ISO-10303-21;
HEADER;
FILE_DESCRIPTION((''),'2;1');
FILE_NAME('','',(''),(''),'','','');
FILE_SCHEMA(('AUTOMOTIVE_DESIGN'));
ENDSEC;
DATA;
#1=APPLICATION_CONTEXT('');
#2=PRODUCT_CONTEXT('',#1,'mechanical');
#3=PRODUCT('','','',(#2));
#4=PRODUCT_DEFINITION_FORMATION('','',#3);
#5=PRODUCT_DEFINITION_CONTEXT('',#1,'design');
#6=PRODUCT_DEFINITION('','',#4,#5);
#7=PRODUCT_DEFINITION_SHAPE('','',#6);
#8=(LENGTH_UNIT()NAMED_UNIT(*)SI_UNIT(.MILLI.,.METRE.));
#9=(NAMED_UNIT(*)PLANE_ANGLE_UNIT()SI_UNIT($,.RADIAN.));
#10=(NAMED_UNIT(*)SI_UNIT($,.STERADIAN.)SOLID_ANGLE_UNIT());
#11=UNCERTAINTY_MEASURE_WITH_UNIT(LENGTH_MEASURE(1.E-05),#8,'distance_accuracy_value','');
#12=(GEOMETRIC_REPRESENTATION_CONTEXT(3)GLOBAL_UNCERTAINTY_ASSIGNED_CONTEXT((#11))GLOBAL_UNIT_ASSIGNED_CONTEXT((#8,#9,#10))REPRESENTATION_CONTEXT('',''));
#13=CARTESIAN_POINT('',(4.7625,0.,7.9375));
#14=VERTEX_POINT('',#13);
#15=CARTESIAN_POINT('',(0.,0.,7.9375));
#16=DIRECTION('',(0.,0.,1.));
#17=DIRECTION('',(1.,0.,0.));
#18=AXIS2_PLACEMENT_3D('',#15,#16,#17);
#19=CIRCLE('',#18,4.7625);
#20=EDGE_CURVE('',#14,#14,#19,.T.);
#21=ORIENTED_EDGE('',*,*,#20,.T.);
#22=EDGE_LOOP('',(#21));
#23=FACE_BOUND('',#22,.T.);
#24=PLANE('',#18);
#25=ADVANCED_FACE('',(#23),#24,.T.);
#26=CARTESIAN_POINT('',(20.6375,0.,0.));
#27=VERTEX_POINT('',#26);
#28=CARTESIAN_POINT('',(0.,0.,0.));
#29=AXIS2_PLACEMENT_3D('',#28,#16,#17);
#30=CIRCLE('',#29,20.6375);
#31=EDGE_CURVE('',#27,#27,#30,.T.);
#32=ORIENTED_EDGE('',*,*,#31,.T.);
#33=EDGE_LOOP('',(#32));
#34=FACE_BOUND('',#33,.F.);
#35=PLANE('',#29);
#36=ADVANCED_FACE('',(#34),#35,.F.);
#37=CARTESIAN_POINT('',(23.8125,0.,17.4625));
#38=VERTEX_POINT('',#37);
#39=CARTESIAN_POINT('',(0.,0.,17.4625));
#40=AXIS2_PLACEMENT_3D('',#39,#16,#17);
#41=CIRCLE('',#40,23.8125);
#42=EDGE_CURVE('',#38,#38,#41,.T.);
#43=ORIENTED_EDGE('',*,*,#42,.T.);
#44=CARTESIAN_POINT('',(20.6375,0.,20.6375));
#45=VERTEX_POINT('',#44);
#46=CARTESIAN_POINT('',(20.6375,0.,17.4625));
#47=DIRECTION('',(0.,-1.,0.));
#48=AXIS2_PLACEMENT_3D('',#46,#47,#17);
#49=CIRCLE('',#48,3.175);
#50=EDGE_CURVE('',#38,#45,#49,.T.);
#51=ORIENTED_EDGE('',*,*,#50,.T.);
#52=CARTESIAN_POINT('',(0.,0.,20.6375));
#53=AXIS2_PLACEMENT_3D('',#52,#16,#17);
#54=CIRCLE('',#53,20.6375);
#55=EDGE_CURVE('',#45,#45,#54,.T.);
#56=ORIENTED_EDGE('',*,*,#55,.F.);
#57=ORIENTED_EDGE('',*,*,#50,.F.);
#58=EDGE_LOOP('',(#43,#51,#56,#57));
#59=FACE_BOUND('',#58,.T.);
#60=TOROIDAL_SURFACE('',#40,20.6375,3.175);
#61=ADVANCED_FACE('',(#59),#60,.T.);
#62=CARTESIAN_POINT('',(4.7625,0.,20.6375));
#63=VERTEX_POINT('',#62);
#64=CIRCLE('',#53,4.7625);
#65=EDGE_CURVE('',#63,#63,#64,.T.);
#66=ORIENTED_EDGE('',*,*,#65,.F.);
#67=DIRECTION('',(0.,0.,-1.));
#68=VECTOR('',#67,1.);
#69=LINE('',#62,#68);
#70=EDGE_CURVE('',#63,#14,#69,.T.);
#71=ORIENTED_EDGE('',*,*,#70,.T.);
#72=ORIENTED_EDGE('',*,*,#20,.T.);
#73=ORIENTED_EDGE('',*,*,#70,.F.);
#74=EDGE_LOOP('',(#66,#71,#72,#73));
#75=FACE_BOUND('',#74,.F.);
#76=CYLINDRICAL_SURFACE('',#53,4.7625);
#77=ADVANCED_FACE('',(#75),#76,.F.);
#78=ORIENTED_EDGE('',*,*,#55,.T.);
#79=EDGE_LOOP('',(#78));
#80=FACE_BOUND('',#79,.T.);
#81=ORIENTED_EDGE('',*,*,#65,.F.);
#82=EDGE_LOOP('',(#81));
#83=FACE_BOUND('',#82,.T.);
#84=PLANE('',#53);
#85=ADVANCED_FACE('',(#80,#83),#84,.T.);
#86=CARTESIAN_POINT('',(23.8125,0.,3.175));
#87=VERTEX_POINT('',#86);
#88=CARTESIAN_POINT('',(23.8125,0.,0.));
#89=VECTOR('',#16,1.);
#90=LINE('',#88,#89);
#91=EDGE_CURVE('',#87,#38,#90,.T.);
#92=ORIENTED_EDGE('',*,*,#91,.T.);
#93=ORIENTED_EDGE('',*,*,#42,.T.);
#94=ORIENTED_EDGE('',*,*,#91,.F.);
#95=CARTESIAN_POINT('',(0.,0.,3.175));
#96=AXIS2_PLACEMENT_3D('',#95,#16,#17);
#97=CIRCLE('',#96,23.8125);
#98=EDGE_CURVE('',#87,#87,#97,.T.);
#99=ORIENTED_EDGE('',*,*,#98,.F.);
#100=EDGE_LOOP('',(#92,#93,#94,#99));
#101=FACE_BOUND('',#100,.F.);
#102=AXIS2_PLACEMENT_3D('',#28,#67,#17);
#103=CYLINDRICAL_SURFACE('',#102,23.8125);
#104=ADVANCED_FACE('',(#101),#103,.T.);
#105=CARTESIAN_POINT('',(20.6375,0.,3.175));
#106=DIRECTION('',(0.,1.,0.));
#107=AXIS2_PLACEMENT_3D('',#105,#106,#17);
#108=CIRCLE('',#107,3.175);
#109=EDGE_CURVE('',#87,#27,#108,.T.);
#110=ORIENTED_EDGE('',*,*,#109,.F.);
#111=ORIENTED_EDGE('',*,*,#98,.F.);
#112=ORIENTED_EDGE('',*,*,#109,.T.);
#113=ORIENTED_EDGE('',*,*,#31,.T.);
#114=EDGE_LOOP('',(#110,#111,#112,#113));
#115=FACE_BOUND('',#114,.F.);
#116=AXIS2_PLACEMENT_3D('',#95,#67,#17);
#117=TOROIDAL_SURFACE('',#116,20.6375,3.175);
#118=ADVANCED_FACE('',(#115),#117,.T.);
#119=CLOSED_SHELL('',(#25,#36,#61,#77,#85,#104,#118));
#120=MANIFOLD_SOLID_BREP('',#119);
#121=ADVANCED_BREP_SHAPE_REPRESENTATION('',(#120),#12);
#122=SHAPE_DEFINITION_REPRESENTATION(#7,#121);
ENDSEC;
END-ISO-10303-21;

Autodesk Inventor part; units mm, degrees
ref_plane "YZ Plane" through (0, 0, 0) normal (1, 0, 0) x (0, 1, 0)
ref_plane "XZ Plane" through (0, 0, 0) normal (0, 1, 0) x (-1, 0, 0)
ref_plane "XY Plane" through (0, 0, 0) normal (0, 0, 1) x (1, 0, 0)
sketch "Sketch1" plane through (0, 0, 0) normal (0, 0, 1) x (1, 0, 0)
  circle A0 centre (0, 0) radius 23.8125
  dimension "d0" = 47.625
extrude "Extrusion1" add sketch "Sketch1" along normal blind 20.6375
sketch "Sketch2" plane through (0, 0, 20.6375) normal (0, 0, 1) x (1, 0, 0)
  circle A0 centre (0, 0) radius 23.8125 projected
  circle A1 centre (0, 0) radius 4.7625
  dimension "d3" = 9.525
extrude "Extrusion2" cut sketch "Sketch2" against normal blind 12.7 contours A1
fillet "Fillet1" radius 3.175 2 edges at (-23.8125, 0, 20.6375) (-23.8125, 0, 0)
properties part number "rough pulley"
